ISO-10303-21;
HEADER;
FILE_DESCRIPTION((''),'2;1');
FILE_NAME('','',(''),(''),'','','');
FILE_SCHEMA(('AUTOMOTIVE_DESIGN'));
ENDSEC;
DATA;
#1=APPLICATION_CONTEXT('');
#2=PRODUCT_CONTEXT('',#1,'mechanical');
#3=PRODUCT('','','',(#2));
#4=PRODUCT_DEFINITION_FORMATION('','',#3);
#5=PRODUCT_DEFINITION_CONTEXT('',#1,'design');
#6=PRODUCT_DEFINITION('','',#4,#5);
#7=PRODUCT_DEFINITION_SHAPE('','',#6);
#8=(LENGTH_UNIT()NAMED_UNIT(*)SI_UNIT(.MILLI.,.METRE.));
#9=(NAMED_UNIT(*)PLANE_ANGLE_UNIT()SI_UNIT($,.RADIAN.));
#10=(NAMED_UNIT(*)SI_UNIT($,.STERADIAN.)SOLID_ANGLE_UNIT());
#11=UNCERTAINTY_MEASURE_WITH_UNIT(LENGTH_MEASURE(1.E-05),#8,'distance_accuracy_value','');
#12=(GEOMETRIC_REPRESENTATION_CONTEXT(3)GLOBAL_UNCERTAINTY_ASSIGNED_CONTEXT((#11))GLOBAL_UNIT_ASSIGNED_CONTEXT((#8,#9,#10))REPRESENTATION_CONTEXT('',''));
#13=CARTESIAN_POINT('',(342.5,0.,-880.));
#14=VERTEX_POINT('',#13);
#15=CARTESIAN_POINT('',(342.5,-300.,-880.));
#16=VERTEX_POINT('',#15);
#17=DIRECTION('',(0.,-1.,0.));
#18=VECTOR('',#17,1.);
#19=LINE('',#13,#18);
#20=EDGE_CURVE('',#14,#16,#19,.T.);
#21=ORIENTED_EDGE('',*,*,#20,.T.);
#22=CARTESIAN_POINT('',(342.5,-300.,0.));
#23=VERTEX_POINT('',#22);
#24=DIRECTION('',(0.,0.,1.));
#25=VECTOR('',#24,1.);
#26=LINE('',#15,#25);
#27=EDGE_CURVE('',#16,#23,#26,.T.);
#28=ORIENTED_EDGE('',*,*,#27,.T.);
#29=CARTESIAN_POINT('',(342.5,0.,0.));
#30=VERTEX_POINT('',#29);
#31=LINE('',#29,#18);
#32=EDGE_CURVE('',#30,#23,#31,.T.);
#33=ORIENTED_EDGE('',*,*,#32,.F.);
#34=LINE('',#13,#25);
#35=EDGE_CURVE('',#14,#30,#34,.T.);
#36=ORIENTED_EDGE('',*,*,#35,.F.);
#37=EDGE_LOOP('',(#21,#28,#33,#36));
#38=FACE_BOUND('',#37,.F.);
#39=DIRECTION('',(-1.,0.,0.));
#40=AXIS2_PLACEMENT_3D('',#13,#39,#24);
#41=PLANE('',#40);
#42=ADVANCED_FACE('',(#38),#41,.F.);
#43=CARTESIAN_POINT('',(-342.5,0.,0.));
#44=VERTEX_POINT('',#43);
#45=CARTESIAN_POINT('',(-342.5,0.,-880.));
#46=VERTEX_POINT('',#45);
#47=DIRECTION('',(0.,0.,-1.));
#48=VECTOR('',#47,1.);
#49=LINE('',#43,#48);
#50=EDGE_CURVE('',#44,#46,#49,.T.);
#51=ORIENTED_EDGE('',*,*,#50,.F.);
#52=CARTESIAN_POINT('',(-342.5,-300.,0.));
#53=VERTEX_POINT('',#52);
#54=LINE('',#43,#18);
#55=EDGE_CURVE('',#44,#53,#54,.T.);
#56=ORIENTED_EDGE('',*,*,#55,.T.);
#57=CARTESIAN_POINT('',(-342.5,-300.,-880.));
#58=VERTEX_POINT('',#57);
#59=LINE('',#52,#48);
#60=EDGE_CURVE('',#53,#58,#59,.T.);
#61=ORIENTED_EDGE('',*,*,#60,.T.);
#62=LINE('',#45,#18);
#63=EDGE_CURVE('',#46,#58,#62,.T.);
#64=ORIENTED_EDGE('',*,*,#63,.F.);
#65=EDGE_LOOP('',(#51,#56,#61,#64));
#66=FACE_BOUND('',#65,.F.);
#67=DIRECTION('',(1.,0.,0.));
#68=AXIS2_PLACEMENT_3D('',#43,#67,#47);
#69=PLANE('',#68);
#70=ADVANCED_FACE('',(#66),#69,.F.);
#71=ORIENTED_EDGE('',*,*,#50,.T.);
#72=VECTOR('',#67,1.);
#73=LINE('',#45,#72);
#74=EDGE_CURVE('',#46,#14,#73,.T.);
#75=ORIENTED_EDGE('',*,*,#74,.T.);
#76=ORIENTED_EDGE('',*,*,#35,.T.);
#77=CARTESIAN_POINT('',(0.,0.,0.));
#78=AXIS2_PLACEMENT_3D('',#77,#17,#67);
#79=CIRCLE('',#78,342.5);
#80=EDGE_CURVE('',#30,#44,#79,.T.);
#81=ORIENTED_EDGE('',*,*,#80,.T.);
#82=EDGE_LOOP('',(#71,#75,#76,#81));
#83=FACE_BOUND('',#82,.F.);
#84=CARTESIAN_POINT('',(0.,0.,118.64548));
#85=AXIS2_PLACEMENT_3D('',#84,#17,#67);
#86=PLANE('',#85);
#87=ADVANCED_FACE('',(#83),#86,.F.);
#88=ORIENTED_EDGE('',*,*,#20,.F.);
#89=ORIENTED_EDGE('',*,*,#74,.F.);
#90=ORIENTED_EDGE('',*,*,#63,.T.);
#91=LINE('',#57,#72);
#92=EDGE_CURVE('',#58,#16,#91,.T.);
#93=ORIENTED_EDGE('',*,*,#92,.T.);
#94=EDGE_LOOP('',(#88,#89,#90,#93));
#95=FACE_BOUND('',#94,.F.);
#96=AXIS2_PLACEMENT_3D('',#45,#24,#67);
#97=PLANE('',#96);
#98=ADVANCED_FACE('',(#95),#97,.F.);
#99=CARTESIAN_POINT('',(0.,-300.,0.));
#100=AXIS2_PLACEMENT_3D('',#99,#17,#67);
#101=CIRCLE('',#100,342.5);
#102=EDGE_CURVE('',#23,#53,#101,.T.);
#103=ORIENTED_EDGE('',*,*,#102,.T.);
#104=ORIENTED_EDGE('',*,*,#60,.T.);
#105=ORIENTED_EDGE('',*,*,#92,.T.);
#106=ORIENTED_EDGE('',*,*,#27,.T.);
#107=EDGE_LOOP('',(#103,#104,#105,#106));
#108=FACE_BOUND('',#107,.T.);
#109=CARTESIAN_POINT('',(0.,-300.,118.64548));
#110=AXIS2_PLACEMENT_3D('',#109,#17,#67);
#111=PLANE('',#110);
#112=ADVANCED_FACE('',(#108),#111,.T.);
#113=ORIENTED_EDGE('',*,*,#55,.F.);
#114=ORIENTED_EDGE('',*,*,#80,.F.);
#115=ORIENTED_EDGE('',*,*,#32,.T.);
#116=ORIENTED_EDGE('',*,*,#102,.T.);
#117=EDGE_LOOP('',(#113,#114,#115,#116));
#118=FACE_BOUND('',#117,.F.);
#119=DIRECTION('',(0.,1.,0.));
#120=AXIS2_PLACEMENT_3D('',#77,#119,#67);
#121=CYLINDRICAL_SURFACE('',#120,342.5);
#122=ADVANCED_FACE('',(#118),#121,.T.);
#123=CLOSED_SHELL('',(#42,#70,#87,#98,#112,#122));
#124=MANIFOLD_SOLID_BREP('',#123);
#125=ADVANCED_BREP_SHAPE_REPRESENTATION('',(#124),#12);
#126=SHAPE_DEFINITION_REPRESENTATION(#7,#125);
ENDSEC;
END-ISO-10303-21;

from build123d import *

# Parameters (mm, degrees)
F1_DEPTH = 300


with BuildPart() as f1:
    # F0 (on Front) → F1 (new body)
    with BuildSketch(Plane.XZ):
        with BuildLine():
            Line((-342.5, 0), (342.5, 0))
            ThreePointArc((342.5, 0), (0, 342.5), (-342.5, 0))
        make_face()
        with BuildLine():
            Line((342.5, -880), (342.5, 0))
            ThreePointArc((342.5, 0), (0, -342.5), (-342.5, 0))
            Line((-342.5, 0), (-342.5, -880))
            Line((-342.5, -880), (342.5, -880))
        make_face()
        with BuildLine():
            ThreePointArc((-342.5, 0), (0, -342.5), (342.5, 0))
            Line((342.5, 0), (-342.5, 0))
        make_face()
    extrude(amount=F1_DEPTH)


solid = f1.part
